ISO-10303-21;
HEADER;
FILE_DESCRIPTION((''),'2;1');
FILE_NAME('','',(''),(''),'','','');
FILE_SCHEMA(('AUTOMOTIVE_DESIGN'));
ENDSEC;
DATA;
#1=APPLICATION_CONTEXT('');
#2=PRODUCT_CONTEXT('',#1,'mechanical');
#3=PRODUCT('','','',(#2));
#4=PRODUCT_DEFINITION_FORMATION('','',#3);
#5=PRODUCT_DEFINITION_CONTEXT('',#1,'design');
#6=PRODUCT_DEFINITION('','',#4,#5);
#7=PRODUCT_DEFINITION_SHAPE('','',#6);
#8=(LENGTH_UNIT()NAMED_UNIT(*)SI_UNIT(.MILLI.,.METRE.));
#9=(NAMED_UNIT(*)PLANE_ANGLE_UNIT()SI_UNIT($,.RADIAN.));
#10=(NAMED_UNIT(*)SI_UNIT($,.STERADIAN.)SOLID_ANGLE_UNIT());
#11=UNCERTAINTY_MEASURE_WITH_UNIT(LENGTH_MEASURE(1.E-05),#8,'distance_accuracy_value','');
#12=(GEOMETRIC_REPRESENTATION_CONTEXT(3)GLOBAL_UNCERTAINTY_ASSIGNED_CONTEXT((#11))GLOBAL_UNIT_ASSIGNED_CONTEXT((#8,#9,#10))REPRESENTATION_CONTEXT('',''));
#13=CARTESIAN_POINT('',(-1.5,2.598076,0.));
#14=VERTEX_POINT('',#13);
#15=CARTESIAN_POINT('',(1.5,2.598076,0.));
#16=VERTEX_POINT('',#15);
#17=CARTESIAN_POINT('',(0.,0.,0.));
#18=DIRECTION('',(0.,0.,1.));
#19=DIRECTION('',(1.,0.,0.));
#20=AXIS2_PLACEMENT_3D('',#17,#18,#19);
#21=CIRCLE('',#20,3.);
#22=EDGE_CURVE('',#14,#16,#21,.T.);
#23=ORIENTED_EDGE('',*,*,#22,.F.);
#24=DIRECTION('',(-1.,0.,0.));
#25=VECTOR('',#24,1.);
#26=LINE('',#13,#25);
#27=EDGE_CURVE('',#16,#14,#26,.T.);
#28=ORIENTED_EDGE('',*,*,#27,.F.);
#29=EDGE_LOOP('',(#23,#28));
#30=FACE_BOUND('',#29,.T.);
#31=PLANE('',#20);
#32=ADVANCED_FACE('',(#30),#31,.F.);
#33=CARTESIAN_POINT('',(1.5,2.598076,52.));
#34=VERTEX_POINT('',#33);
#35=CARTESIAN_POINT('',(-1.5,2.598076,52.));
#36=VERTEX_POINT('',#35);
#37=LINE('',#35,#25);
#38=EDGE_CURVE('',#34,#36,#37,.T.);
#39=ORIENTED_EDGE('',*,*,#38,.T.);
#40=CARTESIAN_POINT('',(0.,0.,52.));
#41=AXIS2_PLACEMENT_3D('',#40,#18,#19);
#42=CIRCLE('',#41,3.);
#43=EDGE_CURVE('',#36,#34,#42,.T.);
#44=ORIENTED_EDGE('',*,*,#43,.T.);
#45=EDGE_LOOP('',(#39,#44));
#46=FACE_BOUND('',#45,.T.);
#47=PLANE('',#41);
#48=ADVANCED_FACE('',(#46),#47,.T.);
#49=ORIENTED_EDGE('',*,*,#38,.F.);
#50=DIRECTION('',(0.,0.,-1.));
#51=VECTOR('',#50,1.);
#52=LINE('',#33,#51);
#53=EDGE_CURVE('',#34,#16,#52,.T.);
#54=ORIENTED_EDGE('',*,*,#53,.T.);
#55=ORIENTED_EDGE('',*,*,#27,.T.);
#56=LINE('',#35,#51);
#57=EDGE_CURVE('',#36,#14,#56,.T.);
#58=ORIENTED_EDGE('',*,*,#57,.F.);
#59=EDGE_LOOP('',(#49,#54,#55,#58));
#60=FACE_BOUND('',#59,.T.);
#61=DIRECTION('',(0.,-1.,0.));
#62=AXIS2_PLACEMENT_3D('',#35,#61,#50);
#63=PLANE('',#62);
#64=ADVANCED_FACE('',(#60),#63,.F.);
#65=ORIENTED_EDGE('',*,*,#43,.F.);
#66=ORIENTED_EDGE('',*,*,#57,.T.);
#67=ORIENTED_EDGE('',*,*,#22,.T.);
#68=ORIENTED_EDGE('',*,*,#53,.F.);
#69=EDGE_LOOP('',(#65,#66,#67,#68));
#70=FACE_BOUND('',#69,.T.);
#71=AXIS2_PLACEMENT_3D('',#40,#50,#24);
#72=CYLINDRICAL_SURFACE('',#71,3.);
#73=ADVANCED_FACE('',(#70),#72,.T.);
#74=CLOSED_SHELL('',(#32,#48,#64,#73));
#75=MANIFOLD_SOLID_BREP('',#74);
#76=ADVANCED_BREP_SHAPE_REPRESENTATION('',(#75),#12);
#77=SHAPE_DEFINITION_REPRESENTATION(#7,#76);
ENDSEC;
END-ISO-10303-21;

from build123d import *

# Parameters (mm, degrees)
BOSS_EXTRUDE1_DEPTH = 52


with BuildPart() as part:
    # Sketch2 → Boss-Extrude1 (new body)
    with BuildSketch(Plane.XY):
        with BuildLine():
            Line((-1.5, 2.598076211), (1.5, 2.598076211))
            ThreePointArc((1.5, 2.598076211), (0, -3), (-1.5, 2.598076211))
        make_face()
    extrude(amount=BOSS_EXTRUDE1_DEPTH)


solid = part.part
